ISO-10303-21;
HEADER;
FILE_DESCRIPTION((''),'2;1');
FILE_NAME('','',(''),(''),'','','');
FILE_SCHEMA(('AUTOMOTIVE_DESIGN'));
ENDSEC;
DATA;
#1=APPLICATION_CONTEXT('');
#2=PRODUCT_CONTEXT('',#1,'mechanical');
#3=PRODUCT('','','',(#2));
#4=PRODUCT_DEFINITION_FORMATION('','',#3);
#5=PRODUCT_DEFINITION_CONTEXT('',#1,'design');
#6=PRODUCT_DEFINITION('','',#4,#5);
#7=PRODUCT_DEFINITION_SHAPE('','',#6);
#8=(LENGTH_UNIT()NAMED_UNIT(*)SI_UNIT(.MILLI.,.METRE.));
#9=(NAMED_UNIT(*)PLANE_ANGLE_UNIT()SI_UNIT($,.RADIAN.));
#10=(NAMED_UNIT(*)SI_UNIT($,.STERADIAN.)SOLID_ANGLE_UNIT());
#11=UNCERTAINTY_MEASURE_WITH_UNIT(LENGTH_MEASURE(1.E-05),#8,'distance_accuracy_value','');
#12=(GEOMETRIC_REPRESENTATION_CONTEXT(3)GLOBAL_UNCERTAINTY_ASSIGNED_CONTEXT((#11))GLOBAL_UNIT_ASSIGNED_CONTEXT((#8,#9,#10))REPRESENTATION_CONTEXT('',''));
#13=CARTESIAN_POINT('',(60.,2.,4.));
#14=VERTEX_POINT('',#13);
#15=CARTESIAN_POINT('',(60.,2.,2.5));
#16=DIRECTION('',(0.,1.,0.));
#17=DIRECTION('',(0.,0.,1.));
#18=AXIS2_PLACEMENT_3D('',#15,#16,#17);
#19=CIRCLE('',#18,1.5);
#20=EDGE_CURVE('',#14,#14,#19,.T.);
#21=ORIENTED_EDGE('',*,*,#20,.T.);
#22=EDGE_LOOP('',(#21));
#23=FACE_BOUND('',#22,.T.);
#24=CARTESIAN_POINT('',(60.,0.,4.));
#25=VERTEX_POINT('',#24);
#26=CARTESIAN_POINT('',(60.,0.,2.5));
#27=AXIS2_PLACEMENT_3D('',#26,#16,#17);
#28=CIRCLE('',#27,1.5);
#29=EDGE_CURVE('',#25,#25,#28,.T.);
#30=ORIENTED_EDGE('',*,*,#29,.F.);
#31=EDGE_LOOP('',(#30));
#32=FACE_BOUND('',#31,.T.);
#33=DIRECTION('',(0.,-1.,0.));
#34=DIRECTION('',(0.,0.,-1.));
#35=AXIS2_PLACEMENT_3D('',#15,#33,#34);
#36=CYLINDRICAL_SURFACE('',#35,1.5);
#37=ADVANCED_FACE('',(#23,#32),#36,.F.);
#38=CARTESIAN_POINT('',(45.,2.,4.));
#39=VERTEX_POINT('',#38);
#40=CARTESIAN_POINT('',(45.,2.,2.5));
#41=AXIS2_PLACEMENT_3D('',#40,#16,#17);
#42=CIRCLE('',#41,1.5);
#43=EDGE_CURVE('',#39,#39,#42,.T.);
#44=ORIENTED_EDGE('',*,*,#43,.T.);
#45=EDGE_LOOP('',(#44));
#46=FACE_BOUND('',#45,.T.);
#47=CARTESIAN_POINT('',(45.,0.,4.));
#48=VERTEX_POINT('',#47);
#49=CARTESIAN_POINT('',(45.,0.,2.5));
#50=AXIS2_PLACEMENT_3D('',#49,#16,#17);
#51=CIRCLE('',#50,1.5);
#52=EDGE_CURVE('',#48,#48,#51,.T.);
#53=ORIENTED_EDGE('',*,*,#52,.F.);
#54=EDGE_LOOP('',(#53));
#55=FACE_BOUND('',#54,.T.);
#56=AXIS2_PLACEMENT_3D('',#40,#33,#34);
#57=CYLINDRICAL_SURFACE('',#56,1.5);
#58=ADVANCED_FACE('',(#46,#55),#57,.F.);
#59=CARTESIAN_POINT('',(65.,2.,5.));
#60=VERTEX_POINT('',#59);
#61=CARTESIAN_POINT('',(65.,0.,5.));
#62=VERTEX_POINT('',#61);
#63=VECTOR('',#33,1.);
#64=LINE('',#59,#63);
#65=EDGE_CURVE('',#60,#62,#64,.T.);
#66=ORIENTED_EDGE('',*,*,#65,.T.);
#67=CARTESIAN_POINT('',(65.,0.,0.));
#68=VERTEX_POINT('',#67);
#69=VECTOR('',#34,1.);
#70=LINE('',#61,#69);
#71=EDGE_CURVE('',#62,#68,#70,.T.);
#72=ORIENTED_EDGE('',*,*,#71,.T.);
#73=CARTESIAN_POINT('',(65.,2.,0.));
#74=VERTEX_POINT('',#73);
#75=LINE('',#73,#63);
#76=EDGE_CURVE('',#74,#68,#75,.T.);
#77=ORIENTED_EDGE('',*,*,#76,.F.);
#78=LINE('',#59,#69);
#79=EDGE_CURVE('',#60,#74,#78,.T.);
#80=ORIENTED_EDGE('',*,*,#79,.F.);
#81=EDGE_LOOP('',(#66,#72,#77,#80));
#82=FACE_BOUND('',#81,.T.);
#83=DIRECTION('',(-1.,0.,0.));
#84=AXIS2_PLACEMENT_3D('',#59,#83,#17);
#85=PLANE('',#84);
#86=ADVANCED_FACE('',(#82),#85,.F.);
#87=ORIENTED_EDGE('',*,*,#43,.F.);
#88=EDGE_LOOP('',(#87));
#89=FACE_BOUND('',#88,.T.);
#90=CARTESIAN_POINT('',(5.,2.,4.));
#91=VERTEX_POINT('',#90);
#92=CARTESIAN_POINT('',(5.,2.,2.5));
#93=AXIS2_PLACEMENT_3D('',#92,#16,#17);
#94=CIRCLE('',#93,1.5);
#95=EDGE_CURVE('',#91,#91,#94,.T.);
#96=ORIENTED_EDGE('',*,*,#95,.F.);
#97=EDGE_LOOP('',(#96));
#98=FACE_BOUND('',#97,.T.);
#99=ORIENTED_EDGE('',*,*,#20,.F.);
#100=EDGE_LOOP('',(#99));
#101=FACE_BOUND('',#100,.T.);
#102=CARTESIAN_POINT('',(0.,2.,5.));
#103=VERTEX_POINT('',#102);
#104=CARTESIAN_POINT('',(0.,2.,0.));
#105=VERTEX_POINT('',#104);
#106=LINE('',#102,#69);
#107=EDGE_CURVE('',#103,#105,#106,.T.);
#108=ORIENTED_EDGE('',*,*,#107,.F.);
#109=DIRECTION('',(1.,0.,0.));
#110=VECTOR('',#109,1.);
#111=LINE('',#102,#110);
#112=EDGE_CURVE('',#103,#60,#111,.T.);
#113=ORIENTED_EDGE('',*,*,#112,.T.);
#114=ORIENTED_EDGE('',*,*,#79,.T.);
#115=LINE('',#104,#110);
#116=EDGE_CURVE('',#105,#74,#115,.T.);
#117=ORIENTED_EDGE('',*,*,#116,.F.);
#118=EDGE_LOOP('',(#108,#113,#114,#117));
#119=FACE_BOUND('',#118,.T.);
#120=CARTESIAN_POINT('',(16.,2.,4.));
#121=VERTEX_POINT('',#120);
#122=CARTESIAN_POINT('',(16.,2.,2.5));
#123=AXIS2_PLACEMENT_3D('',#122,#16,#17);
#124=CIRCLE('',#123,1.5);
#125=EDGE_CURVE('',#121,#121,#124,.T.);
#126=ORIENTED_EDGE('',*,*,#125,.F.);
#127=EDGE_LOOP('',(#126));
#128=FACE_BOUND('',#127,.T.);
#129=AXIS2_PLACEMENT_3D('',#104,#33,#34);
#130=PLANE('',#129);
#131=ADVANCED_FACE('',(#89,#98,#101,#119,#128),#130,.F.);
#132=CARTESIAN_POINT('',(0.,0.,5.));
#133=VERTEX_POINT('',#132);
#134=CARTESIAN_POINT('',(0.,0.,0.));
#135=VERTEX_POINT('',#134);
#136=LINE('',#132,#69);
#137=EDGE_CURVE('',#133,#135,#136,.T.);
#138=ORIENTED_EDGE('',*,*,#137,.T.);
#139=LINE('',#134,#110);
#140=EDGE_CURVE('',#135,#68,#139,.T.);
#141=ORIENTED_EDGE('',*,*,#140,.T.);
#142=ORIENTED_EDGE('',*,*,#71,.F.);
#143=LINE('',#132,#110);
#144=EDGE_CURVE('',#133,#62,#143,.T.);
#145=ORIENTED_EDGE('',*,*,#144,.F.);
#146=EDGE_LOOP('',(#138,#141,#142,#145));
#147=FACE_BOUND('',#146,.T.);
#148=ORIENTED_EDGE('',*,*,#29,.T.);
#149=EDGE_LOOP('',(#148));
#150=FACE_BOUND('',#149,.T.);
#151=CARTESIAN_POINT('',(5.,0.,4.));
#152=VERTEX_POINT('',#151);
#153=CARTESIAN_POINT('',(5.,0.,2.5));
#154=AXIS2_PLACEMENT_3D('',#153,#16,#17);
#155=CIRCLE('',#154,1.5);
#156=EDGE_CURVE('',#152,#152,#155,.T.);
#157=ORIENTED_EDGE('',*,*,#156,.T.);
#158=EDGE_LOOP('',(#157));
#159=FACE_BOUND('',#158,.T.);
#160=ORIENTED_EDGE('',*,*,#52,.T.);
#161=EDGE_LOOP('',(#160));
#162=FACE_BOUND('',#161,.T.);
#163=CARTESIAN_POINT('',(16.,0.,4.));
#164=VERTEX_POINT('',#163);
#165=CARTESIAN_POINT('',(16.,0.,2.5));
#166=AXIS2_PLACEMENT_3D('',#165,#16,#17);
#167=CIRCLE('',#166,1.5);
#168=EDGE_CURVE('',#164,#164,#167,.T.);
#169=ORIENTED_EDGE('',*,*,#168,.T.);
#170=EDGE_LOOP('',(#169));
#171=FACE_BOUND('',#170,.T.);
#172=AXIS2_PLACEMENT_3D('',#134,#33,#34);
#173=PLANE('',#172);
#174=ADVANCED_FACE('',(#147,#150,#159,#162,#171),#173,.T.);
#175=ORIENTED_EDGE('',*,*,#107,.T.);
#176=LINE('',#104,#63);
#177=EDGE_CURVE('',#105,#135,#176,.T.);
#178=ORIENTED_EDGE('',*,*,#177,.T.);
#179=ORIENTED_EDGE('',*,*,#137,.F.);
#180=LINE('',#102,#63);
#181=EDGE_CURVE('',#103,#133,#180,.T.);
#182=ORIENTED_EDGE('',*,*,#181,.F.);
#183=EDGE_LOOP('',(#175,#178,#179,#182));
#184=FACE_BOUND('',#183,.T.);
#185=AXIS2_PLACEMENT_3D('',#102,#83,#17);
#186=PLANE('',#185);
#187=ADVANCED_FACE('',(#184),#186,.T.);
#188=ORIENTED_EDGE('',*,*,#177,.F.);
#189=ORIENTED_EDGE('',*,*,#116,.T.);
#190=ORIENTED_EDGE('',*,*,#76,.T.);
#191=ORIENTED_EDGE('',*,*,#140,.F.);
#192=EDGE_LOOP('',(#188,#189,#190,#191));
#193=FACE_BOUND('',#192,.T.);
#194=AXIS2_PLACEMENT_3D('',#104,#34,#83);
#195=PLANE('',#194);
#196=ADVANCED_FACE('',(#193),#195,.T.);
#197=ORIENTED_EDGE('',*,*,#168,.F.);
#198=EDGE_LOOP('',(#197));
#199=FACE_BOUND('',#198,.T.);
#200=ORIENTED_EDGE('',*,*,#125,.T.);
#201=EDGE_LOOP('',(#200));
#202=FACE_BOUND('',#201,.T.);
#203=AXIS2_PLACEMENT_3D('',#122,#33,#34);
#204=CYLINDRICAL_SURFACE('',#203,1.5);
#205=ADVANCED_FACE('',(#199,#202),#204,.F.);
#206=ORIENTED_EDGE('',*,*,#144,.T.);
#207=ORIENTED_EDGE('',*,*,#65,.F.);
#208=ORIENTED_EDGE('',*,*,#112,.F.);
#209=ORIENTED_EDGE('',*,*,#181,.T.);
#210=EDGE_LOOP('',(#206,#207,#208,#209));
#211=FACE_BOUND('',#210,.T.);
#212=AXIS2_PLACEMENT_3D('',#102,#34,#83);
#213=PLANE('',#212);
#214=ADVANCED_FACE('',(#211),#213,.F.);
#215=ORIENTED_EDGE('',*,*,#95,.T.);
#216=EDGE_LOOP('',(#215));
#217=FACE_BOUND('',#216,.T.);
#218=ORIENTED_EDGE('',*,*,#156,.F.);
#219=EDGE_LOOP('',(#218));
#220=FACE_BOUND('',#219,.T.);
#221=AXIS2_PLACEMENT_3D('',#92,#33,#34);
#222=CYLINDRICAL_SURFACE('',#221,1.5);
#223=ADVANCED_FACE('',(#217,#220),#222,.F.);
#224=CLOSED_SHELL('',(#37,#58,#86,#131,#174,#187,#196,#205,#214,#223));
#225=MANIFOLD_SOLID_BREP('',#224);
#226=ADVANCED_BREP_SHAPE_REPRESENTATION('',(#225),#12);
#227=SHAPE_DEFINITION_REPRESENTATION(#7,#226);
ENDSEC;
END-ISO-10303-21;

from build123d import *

# Parameters (mm, degrees)
SKETCH_1_W      = 65
SKETCH_1_H      = 5
SKETCH_1_R      = 1.5
EXTRUDE_1_DEPTH = 2


with BuildPart() as part:
    # 草图1 → 凸台-拉伸1 (new body)
    with BuildSketch(Plane(origin=(0, 0, 0), x_dir=(1, 0, 0), z_dir=(0, 1, 0))):
        with Locations((32.5, -2.5)):
            Rectangle(SKETCH_1_W, SKETCH_1_H)
        with Locations(Location((5, -2.5, 0), (0, 0, 270))):
            Circle(SKETCH_1_R, mode=Mode.SUBTRACT)
        with Locations(Location((16, -2.5, 0), (0, 0, 270))):
            Circle(SKETCH_1_R, mode=Mode.SUBTRACT)
        with Locations(Location((45, -2.5, 0), (0, 0, 270))):
            Circle(SKETCH_1_R, mode=Mode.SUBTRACT)
        with Locations(Location((60, -2.5, 0), (0, 0, 270))):
            Circle(SKETCH_1_R, mode=Mode.SUBTRACT)
    extrude(amount=EXTRUDE_1_DEPTH)


solid = part.part
